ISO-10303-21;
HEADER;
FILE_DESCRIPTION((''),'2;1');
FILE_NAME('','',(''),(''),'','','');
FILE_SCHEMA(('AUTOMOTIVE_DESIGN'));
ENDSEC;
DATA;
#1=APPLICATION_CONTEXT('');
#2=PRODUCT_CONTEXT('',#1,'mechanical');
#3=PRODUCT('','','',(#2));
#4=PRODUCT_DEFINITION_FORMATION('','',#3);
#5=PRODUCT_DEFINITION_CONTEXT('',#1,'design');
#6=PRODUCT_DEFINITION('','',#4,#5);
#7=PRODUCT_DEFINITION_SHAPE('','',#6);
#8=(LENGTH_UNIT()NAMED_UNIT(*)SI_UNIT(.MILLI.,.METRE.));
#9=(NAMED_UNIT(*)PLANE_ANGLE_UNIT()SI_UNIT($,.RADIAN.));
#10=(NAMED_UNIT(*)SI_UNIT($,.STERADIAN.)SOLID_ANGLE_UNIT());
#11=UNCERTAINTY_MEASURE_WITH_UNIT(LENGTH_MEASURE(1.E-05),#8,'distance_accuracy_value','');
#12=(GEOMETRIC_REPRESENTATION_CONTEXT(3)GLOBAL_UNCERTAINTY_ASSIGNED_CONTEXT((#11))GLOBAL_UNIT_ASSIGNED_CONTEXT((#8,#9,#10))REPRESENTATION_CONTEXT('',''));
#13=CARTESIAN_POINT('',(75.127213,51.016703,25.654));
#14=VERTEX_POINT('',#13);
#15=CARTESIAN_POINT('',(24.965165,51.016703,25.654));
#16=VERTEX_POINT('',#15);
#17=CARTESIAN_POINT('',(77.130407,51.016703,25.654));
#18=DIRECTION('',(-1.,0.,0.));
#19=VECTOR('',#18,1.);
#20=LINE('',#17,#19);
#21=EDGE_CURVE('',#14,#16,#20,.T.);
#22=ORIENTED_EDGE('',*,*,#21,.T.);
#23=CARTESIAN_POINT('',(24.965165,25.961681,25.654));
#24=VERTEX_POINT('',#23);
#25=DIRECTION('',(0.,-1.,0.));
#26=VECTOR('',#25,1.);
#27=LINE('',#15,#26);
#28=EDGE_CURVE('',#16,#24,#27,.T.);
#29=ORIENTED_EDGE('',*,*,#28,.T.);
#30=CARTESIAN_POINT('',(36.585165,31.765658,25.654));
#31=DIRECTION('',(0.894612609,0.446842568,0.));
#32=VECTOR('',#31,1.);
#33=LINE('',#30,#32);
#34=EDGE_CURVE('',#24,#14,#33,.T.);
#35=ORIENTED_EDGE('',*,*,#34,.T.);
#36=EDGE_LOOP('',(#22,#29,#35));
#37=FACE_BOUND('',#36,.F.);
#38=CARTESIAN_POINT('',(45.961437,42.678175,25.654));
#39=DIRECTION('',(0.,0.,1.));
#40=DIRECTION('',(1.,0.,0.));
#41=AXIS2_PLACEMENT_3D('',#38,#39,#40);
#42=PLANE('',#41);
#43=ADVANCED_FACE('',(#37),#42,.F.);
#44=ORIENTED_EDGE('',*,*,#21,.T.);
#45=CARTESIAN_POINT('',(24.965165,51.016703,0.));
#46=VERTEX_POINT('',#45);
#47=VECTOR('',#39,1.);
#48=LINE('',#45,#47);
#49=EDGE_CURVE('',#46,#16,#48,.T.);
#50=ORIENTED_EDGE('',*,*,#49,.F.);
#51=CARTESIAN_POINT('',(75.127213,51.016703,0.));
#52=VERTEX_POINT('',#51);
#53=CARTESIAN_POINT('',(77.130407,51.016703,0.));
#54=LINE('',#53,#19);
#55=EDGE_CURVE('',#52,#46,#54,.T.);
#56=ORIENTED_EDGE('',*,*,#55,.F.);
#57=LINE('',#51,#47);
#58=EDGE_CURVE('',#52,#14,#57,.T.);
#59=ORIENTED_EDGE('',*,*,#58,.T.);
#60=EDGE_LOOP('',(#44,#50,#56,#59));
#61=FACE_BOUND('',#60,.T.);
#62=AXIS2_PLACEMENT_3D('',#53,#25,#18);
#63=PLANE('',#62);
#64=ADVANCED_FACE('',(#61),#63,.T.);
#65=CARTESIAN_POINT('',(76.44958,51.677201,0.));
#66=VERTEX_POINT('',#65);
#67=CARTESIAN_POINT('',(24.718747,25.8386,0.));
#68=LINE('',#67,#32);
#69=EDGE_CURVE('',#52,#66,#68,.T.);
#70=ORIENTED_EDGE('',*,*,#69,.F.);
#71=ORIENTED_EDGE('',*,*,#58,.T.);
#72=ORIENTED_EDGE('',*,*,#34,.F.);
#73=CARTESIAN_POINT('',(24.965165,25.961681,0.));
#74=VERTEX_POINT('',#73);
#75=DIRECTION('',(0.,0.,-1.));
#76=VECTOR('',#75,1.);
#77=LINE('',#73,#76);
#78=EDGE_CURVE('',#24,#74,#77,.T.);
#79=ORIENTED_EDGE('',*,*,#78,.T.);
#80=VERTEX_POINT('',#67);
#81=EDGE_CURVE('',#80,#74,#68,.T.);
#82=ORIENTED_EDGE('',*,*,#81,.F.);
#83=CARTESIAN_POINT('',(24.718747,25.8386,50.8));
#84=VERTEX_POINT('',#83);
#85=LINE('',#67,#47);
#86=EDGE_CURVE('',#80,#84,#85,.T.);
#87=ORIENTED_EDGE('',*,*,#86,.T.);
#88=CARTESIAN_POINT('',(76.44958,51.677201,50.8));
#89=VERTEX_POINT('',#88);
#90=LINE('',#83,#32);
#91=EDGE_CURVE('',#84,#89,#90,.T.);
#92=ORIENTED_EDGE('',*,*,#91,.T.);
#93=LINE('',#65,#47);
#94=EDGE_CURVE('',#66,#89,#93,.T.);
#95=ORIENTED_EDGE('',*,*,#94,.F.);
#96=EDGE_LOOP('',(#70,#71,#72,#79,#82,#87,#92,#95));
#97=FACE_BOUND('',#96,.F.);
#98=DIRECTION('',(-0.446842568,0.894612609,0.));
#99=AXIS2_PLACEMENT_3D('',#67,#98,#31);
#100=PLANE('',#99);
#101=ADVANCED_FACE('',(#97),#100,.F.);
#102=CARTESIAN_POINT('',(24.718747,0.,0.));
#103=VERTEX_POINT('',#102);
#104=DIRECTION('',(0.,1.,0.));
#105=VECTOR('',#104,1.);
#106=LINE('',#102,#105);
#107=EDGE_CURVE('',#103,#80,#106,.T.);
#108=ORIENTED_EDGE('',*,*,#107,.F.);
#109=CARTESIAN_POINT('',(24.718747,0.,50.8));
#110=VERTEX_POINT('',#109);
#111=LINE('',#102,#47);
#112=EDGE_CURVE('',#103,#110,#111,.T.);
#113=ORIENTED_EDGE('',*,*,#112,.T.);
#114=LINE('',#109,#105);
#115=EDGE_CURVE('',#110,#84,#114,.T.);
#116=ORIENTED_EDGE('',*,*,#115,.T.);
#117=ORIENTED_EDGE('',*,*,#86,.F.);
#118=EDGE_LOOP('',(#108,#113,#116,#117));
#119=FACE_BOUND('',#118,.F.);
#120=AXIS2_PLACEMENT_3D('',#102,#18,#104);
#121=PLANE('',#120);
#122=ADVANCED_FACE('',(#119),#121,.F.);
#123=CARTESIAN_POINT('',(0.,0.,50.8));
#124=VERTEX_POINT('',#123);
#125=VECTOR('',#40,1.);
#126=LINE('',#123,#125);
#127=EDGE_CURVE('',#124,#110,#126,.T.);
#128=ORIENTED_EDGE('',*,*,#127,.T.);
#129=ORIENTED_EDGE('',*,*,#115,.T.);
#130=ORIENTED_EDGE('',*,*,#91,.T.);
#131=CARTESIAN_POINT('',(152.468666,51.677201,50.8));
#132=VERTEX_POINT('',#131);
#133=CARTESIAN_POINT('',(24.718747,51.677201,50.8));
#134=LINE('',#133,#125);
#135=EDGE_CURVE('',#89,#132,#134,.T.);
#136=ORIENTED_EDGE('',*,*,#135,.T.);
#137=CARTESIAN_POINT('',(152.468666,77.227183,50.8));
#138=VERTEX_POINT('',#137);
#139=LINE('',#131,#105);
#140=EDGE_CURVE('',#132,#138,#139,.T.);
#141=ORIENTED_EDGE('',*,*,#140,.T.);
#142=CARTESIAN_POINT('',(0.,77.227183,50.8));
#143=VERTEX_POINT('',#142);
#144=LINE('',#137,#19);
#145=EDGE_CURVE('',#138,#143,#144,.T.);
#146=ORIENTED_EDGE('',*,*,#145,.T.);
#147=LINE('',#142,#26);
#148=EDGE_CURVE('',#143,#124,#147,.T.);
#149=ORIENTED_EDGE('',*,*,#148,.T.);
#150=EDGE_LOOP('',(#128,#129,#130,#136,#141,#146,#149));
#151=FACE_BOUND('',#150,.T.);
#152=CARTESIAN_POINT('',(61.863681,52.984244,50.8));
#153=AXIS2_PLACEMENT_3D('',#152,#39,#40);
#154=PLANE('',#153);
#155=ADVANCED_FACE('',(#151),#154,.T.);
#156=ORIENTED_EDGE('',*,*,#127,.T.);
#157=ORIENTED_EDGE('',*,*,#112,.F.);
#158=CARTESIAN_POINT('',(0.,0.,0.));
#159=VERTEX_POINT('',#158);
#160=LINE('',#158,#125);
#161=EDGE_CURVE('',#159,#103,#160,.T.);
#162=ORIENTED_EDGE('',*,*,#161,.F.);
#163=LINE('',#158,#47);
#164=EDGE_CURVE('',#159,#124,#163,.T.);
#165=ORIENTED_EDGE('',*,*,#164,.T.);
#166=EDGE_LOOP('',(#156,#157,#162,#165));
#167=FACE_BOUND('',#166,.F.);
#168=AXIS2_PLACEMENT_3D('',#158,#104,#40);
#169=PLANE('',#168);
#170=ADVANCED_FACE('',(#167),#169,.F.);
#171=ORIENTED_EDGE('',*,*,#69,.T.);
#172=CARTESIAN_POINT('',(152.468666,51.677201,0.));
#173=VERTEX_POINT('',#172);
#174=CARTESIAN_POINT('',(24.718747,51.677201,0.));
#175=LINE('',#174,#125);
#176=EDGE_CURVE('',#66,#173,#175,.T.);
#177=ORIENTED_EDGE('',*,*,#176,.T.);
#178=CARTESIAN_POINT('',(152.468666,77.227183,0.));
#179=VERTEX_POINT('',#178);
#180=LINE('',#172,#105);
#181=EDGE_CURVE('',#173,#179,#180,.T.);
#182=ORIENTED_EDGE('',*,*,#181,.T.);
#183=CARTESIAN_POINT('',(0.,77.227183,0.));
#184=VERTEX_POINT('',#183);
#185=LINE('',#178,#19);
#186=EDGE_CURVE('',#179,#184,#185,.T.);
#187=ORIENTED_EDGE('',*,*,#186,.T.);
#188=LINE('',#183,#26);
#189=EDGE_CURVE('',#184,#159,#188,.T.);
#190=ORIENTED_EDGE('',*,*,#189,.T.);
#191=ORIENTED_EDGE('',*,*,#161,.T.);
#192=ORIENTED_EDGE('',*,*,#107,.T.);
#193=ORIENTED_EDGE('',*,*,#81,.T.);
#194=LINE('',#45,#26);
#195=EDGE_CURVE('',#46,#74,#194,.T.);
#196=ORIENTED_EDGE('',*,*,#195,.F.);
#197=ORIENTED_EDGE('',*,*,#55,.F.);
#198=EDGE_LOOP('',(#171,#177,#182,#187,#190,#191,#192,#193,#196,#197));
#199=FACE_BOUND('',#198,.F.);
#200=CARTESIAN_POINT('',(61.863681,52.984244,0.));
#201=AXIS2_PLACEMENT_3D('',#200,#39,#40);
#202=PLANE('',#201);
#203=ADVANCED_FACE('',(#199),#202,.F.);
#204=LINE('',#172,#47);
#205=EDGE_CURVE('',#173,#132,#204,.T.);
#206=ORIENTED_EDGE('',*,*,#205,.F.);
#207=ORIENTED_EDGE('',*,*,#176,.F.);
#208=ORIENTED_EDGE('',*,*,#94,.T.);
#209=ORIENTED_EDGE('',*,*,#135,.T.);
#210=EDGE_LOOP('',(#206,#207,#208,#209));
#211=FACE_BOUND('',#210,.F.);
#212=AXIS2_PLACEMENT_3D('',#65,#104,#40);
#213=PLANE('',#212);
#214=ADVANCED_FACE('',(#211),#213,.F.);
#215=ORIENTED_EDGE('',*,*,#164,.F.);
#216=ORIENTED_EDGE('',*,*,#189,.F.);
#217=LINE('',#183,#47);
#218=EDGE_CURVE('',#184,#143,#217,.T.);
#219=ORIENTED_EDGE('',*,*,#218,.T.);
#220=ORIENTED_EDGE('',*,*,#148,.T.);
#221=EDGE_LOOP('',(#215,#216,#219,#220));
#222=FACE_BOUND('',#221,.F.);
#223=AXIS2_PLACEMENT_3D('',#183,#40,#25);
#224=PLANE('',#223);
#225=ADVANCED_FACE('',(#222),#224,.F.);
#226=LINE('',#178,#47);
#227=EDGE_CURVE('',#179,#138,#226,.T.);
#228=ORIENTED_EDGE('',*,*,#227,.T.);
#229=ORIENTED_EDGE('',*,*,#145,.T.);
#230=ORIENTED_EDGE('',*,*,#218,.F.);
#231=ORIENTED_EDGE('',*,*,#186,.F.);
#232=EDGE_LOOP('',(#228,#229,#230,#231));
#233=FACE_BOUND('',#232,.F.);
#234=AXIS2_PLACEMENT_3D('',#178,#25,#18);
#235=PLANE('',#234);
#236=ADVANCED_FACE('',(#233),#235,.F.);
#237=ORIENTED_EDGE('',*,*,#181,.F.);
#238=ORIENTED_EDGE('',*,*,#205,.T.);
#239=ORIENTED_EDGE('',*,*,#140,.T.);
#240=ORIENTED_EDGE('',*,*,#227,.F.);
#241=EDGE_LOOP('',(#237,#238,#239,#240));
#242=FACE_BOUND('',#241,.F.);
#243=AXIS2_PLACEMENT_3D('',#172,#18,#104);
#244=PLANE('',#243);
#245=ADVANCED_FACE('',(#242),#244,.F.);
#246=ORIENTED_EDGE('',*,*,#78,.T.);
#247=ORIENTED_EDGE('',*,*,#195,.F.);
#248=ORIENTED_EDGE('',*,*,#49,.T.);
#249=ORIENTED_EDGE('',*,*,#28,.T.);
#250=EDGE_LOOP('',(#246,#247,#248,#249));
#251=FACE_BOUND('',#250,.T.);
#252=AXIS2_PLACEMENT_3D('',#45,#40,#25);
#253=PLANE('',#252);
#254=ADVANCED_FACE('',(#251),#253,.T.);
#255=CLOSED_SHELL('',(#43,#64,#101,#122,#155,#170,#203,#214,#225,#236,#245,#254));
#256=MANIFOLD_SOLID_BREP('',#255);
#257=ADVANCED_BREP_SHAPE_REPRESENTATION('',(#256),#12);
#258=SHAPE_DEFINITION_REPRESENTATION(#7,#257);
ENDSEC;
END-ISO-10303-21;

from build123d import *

# Parameters (mm, degrees)
F1_DEPTH = 50.8
F3_DEPTH = 25.654


with BuildPart() as f1:
    # F0 (on Top) → F1 (new body)
    with BuildSketch(Plane.XY):
        Polygon((0, 77.227183), (0, 0), (24.718747, 0), (24.718747, 25.8386), (24.718747, 51.677201), (76.44958, 51.677201), (152.468666, 51.677201), (152.468666, 77.227183), align=None)
        Polygon((24.718747, 51.677201), (24.718747, 25.8386), (76.44958, 51.677201), align=None)
    extrude(amount=F1_DEPTH)

    # F2 (on Top) → F3 (cut)
    with BuildSketch(Plane.XY):
        Polygon((24.965165, 51.016703), (24.965165, 24.166949), (77.130407, 51.016703), align=None)
    extrude(amount=F3_DEPTH, mode=Mode.SUBTRACT)


solid = f1.part
